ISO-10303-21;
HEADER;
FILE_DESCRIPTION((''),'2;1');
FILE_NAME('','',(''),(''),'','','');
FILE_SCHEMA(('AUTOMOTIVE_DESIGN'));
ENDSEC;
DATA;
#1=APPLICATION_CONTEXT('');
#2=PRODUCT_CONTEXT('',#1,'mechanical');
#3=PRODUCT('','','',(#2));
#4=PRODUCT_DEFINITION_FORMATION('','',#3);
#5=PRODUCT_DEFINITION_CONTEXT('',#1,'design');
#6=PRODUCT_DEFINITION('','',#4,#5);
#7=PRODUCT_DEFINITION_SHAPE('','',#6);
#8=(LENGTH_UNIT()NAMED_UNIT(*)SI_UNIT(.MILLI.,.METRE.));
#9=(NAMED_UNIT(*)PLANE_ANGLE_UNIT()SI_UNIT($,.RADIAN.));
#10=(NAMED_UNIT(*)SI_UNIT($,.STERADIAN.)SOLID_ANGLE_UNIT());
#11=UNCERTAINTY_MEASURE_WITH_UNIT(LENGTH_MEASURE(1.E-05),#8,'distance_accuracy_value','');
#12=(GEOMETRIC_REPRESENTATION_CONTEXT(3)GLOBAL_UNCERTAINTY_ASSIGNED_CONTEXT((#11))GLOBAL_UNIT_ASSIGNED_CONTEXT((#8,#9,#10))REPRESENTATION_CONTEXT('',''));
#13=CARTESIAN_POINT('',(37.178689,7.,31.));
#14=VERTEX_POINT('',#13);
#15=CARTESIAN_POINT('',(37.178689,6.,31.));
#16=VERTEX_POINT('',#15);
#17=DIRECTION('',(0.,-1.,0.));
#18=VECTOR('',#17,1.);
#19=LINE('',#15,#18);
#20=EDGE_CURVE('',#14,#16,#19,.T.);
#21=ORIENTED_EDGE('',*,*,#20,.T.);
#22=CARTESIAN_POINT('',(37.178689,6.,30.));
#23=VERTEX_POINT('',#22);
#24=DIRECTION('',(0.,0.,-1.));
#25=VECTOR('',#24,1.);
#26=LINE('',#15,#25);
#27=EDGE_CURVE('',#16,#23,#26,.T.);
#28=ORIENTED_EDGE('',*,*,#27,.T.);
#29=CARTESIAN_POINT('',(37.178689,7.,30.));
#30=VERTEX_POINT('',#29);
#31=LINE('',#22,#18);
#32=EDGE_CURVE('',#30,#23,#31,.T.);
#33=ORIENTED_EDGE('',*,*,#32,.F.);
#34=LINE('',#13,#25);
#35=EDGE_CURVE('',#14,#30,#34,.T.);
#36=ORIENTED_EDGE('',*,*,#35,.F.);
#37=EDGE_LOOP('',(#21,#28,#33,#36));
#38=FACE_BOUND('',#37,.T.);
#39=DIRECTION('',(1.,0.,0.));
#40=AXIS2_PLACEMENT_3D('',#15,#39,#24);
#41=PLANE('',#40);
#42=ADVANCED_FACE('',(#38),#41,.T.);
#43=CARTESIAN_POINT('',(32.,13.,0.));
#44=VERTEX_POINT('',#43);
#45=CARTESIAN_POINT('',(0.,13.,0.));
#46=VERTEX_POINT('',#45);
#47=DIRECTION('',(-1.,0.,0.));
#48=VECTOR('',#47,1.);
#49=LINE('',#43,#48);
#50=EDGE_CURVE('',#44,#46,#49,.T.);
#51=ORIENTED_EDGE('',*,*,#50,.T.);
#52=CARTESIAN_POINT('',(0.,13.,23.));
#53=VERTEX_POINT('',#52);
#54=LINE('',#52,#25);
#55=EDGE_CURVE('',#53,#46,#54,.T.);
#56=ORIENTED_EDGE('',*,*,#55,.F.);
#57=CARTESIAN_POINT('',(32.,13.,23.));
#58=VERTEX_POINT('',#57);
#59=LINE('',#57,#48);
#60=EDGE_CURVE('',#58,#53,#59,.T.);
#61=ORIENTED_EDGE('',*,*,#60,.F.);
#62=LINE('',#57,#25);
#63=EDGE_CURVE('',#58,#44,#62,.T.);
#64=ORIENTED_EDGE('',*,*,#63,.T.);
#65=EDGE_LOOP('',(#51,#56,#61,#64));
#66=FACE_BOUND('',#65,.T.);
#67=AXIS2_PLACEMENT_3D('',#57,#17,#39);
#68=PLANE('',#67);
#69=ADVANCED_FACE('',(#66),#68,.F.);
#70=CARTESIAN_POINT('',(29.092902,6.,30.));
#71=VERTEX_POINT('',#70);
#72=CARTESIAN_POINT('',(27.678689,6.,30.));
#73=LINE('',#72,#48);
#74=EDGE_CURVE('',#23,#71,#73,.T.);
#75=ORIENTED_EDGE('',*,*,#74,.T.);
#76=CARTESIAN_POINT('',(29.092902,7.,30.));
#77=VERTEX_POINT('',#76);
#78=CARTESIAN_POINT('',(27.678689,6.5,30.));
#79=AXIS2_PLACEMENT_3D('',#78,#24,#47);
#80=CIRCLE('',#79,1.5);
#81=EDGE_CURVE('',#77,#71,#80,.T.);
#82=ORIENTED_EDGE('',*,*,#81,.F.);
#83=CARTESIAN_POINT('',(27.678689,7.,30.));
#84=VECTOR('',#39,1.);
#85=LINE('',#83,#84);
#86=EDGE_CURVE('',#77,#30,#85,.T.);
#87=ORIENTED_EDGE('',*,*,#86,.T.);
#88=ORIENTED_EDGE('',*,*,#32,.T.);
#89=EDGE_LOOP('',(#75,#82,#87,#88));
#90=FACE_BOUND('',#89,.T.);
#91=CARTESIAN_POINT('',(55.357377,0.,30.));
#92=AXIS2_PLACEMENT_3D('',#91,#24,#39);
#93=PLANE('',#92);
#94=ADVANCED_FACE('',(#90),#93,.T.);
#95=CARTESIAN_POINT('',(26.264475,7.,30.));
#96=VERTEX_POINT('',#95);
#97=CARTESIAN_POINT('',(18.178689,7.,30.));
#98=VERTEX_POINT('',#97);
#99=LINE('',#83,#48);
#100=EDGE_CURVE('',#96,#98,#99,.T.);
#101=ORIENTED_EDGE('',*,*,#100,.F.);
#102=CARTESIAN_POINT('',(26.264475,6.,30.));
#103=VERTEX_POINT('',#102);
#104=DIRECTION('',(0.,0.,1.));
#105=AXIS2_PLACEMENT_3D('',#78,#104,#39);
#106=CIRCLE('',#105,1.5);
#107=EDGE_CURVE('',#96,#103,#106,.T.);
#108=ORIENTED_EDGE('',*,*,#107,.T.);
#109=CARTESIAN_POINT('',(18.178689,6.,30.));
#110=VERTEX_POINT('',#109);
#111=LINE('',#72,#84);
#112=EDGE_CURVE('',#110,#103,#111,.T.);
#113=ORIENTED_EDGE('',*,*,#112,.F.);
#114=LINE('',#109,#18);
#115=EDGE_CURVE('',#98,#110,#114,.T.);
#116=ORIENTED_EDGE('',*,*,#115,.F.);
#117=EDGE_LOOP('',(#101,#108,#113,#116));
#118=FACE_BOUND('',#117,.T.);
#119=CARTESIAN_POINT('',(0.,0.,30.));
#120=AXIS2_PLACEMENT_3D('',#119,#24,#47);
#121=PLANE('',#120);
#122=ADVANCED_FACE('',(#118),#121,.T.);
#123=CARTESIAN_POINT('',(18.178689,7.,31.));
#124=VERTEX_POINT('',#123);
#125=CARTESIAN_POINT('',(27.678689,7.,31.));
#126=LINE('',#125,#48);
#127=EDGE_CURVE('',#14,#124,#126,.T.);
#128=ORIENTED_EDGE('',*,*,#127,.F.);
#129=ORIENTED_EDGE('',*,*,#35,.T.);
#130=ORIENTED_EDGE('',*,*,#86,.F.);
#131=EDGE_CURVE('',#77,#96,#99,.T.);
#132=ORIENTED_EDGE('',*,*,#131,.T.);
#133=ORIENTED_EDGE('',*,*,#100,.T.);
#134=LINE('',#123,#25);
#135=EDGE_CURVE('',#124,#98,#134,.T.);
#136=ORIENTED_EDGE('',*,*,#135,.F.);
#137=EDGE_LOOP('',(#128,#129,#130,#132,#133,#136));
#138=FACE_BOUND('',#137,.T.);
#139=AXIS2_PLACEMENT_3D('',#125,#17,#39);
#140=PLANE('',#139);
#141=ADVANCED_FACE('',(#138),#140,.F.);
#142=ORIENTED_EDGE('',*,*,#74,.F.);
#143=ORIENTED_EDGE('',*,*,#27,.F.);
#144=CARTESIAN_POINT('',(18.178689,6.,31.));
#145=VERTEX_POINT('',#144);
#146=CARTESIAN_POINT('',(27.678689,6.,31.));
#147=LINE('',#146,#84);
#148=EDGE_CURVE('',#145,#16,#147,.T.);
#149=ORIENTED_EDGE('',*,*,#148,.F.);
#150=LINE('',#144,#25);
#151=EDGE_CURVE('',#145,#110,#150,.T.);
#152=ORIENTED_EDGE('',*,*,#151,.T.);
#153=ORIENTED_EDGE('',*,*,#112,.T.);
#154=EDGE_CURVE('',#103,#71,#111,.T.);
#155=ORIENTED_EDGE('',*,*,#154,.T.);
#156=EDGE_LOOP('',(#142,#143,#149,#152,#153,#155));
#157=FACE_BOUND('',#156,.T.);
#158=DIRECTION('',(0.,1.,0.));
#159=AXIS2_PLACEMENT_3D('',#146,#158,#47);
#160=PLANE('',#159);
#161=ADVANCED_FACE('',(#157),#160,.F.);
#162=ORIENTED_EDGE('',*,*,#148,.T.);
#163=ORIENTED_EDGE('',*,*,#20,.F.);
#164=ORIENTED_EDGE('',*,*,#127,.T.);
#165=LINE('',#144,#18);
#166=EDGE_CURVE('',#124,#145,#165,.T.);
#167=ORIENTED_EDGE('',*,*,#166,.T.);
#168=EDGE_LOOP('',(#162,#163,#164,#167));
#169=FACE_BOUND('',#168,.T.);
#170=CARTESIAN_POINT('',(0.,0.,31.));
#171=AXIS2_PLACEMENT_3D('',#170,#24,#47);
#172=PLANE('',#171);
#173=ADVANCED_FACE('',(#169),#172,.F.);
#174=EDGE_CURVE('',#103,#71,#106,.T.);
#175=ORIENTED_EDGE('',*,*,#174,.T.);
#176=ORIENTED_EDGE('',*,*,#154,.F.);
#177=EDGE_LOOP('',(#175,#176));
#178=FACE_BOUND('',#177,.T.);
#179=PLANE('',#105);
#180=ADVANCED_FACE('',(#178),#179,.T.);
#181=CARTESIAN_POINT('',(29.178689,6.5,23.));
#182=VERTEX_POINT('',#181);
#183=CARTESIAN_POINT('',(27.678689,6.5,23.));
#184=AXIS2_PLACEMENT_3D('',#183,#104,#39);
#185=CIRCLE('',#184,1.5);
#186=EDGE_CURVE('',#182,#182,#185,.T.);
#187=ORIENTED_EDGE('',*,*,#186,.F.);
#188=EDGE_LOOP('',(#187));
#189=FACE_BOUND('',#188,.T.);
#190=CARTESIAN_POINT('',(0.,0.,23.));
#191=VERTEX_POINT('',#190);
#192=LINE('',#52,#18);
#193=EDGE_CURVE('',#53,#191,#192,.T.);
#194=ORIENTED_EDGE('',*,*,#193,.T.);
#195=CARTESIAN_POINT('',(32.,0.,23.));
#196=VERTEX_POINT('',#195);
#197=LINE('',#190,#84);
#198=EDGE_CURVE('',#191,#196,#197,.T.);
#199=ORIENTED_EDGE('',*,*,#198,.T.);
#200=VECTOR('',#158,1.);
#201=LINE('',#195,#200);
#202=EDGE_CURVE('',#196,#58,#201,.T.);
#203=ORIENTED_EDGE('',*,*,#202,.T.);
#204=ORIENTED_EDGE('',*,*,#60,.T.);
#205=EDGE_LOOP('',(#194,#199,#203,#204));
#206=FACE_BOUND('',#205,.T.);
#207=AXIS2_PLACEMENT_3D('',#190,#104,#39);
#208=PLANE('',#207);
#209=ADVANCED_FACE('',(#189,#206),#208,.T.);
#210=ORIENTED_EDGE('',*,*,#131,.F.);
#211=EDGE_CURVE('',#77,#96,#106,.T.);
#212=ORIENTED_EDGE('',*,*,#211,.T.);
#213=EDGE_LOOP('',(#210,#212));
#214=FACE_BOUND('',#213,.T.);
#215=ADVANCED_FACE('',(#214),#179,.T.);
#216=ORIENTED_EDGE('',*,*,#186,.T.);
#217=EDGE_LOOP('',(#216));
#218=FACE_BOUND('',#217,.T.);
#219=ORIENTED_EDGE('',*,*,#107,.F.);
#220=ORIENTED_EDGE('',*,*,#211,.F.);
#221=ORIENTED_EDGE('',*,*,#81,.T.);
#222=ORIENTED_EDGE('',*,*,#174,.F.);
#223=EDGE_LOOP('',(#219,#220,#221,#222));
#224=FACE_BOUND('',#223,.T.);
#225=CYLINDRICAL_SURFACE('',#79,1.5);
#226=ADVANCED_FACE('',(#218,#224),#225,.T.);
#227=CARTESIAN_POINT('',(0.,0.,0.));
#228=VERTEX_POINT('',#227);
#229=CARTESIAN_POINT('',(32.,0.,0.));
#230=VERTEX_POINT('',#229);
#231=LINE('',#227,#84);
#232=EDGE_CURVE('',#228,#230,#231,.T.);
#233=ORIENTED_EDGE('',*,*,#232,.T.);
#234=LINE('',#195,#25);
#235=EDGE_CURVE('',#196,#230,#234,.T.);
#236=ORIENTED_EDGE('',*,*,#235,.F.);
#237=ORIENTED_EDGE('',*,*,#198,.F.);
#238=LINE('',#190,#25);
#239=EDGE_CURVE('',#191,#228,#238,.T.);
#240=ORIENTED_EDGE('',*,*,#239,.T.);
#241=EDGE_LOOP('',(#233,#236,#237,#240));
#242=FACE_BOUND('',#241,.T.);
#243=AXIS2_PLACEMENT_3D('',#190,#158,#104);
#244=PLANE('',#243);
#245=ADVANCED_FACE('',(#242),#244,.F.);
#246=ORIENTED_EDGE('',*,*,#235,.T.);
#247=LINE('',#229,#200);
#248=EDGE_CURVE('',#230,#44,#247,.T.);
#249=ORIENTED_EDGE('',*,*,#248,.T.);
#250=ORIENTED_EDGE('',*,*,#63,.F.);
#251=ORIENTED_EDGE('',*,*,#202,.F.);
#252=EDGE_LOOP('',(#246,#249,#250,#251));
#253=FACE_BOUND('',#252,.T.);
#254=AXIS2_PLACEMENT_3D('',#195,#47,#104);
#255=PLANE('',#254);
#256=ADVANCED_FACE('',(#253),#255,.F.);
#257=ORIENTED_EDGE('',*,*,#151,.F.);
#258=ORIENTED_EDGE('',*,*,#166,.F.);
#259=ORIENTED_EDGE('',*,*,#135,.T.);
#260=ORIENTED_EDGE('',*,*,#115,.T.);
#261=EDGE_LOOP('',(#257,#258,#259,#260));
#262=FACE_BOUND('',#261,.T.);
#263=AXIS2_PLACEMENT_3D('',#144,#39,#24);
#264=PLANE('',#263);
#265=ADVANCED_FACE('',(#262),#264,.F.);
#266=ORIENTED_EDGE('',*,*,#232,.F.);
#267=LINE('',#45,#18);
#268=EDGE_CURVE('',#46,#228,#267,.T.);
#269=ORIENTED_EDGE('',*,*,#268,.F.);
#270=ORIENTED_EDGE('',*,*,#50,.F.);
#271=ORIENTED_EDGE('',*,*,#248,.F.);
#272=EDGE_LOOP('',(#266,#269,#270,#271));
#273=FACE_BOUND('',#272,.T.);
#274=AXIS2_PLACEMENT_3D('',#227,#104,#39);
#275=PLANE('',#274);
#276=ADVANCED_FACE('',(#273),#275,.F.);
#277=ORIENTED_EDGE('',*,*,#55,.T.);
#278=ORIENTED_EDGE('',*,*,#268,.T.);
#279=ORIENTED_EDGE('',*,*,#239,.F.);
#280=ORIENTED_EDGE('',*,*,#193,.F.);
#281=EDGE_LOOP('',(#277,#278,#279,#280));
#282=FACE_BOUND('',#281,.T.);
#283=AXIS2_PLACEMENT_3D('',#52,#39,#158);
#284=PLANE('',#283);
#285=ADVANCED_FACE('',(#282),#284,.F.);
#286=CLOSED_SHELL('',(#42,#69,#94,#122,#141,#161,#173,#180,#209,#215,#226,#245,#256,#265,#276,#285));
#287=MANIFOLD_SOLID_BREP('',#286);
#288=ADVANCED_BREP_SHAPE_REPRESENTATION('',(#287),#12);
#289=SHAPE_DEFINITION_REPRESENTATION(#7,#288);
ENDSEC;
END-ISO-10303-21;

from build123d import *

# Parameters (mm, degrees)
SKETCH_1_W      = 32
SKETCH_1_H      = 13
EXTRUDE_1_DEPTH = 23
SKETCH_2_R      = 1.5
EXTRUDE_2_DEPTH = 7
SKETCH_3_W      = 9.5
SKETCH_3_H      = 1
EXTRUDE_3_DEPTH = 1


with BuildPart() as part:
    # 草图1 → 凸台-拉伸1 (new body)
    with BuildSketch(Plane.XY):
        with Locations((16, 6.5)):
            Rectangle(SKETCH_1_W, SKETCH_1_H)
    extrude(amount=EXTRUDE_1_DEPTH)

    # 草图2 → 凸台-拉伸2 (add)
    with BuildSketch(Plane.XY.offset(23)):
        with Locations((27.678688567, 6.5)):
            Circle(SKETCH_2_R)
    extrude(amount=EXTRUDE_2_DEPTH)

    # 草图3 → 凸台-拉伸3 (add)
    with BuildSketch(Plane.XY.offset(30)):
        with Locations((22.928688567, 6.5)):
            Rectangle(SKETCH_3_W, SKETCH_3_H)
    extrude_3 = extrude(amount=EXTRUDE_3_DEPTH)

    # 镜向1: 凸台-拉伸3 across plane
    add(extrude_3.mirror(Plane(origin=(27.678688567, 7, 31), x_dir=(0, 0, 1), z_dir=(-1, 0, 0))))


solid = part.part
